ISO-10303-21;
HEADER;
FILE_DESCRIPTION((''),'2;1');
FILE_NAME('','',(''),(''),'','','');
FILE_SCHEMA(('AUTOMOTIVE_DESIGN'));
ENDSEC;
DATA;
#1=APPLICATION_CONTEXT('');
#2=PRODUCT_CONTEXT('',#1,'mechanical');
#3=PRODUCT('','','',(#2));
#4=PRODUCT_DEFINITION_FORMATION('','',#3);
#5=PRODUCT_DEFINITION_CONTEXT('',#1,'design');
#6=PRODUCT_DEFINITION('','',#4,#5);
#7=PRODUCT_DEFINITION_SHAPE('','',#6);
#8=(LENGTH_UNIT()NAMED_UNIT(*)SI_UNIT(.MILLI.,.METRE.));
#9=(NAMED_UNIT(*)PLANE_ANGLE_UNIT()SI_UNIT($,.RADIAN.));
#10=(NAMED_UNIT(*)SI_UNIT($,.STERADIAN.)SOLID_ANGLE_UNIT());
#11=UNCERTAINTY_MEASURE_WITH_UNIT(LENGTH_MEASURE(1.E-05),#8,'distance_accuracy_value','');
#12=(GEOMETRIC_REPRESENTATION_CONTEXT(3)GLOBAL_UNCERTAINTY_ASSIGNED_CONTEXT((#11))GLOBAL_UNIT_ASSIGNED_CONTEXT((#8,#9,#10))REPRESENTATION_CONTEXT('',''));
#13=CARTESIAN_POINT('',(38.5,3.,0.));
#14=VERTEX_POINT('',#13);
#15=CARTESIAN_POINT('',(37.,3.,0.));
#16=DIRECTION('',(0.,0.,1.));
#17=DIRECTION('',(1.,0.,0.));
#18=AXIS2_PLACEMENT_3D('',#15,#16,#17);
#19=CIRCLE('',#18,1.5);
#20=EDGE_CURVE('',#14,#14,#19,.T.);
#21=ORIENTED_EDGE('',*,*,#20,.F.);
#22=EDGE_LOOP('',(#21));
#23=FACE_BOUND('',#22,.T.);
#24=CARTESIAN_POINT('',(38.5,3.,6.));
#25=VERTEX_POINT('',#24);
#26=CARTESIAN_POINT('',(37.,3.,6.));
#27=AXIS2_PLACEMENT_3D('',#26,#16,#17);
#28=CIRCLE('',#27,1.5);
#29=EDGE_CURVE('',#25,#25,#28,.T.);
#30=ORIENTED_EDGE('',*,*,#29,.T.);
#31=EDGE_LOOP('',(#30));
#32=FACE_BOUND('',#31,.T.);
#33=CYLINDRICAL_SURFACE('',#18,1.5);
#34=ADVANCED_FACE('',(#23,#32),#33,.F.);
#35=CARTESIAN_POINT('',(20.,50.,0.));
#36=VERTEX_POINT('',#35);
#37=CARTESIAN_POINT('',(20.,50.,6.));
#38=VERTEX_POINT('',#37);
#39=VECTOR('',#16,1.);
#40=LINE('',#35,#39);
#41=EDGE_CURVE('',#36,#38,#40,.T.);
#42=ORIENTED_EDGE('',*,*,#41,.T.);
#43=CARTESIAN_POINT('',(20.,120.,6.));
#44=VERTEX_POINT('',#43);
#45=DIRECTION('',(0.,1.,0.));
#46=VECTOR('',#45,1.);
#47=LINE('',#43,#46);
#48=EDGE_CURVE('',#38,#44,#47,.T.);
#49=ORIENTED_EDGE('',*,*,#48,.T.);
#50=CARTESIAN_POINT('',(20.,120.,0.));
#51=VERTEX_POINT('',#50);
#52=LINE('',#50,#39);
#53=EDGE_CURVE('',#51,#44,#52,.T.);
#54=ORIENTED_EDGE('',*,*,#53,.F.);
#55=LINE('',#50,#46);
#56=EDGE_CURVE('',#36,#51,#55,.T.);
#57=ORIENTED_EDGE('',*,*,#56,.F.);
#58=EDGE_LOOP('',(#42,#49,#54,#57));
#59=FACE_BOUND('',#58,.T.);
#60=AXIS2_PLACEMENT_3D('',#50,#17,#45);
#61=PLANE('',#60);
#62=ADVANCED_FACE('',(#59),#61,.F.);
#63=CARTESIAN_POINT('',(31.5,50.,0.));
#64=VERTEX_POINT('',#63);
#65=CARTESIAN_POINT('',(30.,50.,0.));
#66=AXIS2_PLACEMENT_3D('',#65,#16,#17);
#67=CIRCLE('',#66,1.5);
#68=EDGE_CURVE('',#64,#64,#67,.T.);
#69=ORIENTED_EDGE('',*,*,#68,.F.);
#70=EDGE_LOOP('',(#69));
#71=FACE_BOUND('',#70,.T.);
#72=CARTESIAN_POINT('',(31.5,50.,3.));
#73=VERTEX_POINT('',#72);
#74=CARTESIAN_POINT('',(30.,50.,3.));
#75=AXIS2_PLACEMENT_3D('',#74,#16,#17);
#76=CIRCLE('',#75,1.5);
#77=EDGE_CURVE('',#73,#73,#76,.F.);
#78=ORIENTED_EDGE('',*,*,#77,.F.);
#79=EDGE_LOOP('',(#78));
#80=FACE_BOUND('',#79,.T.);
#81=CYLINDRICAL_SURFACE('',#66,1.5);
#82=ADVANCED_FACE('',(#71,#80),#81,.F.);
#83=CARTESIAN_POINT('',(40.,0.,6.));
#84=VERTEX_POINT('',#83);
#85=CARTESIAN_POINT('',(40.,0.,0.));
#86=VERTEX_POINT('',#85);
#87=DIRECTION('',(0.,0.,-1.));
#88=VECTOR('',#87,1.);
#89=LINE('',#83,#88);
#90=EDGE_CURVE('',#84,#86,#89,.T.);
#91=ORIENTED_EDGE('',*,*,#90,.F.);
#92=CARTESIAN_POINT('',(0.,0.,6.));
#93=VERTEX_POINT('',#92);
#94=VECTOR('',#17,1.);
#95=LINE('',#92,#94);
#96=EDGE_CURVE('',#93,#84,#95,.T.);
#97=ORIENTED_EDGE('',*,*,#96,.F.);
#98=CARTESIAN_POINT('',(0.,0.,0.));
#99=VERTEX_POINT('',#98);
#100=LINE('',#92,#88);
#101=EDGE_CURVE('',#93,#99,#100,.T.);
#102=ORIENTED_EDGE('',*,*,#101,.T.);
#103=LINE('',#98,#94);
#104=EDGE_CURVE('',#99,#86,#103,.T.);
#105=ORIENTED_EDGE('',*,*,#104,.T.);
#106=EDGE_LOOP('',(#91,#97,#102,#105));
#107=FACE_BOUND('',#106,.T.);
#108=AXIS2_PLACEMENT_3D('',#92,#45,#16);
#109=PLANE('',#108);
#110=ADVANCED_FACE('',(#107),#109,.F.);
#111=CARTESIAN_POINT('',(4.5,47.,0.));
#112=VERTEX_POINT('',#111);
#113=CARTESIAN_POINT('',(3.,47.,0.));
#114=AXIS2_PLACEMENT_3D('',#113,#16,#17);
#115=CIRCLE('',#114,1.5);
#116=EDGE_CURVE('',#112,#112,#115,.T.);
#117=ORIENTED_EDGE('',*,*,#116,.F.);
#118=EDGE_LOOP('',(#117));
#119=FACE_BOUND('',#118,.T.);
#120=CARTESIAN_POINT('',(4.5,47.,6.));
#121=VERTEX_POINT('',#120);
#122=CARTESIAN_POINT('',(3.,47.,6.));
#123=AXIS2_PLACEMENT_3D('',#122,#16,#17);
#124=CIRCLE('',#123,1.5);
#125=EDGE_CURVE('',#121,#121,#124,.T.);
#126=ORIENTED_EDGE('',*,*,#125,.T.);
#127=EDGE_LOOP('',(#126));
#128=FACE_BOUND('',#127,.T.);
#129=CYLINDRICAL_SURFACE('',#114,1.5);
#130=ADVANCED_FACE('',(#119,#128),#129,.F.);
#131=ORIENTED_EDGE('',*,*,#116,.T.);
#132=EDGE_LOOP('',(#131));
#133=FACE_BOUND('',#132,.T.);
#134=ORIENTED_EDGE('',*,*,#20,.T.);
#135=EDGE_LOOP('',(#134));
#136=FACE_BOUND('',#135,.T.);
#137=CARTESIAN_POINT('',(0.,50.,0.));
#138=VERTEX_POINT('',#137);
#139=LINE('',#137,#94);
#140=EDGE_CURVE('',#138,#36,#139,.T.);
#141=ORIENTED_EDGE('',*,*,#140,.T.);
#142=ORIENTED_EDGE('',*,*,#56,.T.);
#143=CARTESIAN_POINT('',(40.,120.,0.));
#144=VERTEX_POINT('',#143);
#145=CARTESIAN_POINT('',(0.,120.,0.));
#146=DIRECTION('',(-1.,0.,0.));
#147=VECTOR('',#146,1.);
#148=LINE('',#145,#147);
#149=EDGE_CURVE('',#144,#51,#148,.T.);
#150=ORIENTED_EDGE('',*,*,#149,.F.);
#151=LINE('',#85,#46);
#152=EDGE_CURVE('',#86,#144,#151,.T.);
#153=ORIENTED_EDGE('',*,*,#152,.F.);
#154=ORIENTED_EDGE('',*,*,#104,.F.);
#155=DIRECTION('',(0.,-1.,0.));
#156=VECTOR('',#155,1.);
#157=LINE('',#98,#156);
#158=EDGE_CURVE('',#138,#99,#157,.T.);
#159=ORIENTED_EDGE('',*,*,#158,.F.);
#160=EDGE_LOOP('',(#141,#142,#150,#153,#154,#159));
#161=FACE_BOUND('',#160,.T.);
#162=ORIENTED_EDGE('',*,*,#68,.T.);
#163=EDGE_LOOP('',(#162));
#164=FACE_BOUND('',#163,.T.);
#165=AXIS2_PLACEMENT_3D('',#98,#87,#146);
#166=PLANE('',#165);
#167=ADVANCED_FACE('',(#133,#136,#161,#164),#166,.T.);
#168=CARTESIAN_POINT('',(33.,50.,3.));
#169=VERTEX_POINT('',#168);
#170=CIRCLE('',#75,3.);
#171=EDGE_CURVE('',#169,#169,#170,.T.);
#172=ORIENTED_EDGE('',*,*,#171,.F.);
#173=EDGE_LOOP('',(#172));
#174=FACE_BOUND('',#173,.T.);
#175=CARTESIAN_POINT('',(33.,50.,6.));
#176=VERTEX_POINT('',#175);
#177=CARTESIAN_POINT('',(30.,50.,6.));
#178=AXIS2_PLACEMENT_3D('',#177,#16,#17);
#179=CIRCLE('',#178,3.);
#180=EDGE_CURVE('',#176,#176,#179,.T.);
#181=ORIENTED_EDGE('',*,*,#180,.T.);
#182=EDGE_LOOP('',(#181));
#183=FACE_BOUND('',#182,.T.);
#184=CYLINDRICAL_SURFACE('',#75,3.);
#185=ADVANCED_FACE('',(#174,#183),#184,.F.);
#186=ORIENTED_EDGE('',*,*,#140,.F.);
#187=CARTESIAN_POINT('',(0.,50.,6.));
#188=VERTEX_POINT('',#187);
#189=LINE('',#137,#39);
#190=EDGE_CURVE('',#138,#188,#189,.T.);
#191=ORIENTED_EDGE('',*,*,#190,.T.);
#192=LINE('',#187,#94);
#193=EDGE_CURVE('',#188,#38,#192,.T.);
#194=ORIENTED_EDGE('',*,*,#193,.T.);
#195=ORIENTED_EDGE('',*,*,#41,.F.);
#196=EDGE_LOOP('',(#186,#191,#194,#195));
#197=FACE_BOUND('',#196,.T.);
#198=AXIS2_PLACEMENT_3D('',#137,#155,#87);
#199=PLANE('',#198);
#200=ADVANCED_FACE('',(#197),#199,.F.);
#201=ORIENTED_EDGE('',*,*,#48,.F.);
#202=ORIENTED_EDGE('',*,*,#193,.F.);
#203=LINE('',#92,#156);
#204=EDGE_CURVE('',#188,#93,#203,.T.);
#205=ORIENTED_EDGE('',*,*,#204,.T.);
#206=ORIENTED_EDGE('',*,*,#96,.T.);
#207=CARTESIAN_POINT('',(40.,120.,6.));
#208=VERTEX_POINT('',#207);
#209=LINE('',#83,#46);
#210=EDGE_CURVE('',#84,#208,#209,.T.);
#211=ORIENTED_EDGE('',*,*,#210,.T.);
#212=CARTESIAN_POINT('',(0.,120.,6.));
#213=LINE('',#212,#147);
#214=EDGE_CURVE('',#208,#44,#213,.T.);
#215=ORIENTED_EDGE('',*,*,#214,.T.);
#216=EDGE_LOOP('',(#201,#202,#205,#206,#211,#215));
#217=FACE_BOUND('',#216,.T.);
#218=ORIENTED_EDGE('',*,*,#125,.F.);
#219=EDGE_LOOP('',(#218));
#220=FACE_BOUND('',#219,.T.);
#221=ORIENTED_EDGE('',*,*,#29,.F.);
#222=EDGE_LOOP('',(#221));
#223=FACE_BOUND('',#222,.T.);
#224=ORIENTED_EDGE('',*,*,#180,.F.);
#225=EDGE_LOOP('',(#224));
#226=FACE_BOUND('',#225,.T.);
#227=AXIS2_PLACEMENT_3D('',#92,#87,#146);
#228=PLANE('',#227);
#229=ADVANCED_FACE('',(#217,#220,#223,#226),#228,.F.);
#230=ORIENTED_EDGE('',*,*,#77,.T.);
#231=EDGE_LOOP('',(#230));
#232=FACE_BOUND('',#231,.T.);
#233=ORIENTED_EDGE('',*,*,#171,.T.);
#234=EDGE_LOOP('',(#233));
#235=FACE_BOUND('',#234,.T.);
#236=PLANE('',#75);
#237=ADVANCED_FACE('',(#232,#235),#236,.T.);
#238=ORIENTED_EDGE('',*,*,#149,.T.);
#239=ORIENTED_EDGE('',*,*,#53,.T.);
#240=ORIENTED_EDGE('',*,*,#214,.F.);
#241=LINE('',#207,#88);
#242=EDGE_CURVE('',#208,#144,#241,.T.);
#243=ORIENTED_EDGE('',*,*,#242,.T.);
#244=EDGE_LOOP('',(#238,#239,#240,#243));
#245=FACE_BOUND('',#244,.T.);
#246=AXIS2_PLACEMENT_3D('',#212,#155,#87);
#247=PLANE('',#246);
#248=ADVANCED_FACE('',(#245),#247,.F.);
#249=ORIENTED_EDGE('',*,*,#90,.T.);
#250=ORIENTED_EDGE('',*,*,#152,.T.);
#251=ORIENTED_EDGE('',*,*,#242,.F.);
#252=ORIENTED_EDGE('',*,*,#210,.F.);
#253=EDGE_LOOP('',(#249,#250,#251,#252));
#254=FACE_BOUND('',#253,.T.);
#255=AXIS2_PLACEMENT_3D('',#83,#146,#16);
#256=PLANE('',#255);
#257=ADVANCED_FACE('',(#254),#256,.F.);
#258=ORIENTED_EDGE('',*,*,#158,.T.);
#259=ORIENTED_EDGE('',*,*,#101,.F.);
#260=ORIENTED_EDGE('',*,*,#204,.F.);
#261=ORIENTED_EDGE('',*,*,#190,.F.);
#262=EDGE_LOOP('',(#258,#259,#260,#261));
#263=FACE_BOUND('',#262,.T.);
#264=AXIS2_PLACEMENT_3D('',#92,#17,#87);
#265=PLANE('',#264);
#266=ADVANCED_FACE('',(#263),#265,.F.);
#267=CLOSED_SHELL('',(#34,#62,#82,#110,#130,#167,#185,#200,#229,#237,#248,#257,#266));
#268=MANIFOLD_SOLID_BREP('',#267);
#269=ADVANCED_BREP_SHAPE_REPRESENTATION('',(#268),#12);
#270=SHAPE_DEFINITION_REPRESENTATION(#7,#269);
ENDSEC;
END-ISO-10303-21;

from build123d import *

# Parameters (mm, degrees)
ESQUISSE1_W             = 40
ESQUISSE1_H             = 120
BOSS_EXTRU_1_DEPTH      = 6
ESQUISSE2_W             = 20
ESQUISSE2_H             = 70
ENL_V_MAT_EXTRU_1_DEPTH = 6
ESQUISSE4_R             = 1.5
ENL_V_MAT_EXTRU_2_DEPTH = 6
ESQUISSE5_R             = 3
ENL_V_MAT_EXTRU_3_DEPTH = 3


with BuildPart() as part:
    # Esquisse1 → Boss.-Extru.1 (new body)
    with BuildSketch(Plane.XY):
        with Locations((20, 60)):
            Rectangle(ESQUISSE1_W, ESQUISSE1_H)
    extrude(amount=BOSS_EXTRU_1_DEPTH)

    # Esquisse2 → Enlèv. mat.-Extru.1 (cut)
    with BuildSketch(Plane.XY.offset(6)):
        with Locations((10, 85)):
            Rectangle(ESQUISSE2_W, ESQUISSE2_H)
    extrude(amount=-ENL_V_MAT_EXTRU_1_DEPTH, mode=Mode.SUBTRACT)

    # Esquisse4 → Enlèv. mat.-Extru.2 (cut)
    with BuildSketch(Plane.XY.offset(6)):
        with Locations((3, 47)):
            Circle(ESQUISSE4_R)
        with Locations((37, 3)):
            Circle(ESQUISSE4_R)
        with Locations((30, 50)):
            Circle(ESQUISSE4_R)
    extrude(amount=-ENL_V_MAT_EXTRU_2_DEPTH, mode=Mode.SUBTRACT)

    # Esquisse5 → Enlèv. mat.-Extru.3 (cut)
    with BuildSketch(Plane.XY.offset(6)):
        with Locations((30, 50)):
            Circle(ESQUISSE5_R)
    extrude(amount=-ENL_V_MAT_EXTRU_3_DEPTH, mode=Mode.SUBTRACT)


solid = part.part
